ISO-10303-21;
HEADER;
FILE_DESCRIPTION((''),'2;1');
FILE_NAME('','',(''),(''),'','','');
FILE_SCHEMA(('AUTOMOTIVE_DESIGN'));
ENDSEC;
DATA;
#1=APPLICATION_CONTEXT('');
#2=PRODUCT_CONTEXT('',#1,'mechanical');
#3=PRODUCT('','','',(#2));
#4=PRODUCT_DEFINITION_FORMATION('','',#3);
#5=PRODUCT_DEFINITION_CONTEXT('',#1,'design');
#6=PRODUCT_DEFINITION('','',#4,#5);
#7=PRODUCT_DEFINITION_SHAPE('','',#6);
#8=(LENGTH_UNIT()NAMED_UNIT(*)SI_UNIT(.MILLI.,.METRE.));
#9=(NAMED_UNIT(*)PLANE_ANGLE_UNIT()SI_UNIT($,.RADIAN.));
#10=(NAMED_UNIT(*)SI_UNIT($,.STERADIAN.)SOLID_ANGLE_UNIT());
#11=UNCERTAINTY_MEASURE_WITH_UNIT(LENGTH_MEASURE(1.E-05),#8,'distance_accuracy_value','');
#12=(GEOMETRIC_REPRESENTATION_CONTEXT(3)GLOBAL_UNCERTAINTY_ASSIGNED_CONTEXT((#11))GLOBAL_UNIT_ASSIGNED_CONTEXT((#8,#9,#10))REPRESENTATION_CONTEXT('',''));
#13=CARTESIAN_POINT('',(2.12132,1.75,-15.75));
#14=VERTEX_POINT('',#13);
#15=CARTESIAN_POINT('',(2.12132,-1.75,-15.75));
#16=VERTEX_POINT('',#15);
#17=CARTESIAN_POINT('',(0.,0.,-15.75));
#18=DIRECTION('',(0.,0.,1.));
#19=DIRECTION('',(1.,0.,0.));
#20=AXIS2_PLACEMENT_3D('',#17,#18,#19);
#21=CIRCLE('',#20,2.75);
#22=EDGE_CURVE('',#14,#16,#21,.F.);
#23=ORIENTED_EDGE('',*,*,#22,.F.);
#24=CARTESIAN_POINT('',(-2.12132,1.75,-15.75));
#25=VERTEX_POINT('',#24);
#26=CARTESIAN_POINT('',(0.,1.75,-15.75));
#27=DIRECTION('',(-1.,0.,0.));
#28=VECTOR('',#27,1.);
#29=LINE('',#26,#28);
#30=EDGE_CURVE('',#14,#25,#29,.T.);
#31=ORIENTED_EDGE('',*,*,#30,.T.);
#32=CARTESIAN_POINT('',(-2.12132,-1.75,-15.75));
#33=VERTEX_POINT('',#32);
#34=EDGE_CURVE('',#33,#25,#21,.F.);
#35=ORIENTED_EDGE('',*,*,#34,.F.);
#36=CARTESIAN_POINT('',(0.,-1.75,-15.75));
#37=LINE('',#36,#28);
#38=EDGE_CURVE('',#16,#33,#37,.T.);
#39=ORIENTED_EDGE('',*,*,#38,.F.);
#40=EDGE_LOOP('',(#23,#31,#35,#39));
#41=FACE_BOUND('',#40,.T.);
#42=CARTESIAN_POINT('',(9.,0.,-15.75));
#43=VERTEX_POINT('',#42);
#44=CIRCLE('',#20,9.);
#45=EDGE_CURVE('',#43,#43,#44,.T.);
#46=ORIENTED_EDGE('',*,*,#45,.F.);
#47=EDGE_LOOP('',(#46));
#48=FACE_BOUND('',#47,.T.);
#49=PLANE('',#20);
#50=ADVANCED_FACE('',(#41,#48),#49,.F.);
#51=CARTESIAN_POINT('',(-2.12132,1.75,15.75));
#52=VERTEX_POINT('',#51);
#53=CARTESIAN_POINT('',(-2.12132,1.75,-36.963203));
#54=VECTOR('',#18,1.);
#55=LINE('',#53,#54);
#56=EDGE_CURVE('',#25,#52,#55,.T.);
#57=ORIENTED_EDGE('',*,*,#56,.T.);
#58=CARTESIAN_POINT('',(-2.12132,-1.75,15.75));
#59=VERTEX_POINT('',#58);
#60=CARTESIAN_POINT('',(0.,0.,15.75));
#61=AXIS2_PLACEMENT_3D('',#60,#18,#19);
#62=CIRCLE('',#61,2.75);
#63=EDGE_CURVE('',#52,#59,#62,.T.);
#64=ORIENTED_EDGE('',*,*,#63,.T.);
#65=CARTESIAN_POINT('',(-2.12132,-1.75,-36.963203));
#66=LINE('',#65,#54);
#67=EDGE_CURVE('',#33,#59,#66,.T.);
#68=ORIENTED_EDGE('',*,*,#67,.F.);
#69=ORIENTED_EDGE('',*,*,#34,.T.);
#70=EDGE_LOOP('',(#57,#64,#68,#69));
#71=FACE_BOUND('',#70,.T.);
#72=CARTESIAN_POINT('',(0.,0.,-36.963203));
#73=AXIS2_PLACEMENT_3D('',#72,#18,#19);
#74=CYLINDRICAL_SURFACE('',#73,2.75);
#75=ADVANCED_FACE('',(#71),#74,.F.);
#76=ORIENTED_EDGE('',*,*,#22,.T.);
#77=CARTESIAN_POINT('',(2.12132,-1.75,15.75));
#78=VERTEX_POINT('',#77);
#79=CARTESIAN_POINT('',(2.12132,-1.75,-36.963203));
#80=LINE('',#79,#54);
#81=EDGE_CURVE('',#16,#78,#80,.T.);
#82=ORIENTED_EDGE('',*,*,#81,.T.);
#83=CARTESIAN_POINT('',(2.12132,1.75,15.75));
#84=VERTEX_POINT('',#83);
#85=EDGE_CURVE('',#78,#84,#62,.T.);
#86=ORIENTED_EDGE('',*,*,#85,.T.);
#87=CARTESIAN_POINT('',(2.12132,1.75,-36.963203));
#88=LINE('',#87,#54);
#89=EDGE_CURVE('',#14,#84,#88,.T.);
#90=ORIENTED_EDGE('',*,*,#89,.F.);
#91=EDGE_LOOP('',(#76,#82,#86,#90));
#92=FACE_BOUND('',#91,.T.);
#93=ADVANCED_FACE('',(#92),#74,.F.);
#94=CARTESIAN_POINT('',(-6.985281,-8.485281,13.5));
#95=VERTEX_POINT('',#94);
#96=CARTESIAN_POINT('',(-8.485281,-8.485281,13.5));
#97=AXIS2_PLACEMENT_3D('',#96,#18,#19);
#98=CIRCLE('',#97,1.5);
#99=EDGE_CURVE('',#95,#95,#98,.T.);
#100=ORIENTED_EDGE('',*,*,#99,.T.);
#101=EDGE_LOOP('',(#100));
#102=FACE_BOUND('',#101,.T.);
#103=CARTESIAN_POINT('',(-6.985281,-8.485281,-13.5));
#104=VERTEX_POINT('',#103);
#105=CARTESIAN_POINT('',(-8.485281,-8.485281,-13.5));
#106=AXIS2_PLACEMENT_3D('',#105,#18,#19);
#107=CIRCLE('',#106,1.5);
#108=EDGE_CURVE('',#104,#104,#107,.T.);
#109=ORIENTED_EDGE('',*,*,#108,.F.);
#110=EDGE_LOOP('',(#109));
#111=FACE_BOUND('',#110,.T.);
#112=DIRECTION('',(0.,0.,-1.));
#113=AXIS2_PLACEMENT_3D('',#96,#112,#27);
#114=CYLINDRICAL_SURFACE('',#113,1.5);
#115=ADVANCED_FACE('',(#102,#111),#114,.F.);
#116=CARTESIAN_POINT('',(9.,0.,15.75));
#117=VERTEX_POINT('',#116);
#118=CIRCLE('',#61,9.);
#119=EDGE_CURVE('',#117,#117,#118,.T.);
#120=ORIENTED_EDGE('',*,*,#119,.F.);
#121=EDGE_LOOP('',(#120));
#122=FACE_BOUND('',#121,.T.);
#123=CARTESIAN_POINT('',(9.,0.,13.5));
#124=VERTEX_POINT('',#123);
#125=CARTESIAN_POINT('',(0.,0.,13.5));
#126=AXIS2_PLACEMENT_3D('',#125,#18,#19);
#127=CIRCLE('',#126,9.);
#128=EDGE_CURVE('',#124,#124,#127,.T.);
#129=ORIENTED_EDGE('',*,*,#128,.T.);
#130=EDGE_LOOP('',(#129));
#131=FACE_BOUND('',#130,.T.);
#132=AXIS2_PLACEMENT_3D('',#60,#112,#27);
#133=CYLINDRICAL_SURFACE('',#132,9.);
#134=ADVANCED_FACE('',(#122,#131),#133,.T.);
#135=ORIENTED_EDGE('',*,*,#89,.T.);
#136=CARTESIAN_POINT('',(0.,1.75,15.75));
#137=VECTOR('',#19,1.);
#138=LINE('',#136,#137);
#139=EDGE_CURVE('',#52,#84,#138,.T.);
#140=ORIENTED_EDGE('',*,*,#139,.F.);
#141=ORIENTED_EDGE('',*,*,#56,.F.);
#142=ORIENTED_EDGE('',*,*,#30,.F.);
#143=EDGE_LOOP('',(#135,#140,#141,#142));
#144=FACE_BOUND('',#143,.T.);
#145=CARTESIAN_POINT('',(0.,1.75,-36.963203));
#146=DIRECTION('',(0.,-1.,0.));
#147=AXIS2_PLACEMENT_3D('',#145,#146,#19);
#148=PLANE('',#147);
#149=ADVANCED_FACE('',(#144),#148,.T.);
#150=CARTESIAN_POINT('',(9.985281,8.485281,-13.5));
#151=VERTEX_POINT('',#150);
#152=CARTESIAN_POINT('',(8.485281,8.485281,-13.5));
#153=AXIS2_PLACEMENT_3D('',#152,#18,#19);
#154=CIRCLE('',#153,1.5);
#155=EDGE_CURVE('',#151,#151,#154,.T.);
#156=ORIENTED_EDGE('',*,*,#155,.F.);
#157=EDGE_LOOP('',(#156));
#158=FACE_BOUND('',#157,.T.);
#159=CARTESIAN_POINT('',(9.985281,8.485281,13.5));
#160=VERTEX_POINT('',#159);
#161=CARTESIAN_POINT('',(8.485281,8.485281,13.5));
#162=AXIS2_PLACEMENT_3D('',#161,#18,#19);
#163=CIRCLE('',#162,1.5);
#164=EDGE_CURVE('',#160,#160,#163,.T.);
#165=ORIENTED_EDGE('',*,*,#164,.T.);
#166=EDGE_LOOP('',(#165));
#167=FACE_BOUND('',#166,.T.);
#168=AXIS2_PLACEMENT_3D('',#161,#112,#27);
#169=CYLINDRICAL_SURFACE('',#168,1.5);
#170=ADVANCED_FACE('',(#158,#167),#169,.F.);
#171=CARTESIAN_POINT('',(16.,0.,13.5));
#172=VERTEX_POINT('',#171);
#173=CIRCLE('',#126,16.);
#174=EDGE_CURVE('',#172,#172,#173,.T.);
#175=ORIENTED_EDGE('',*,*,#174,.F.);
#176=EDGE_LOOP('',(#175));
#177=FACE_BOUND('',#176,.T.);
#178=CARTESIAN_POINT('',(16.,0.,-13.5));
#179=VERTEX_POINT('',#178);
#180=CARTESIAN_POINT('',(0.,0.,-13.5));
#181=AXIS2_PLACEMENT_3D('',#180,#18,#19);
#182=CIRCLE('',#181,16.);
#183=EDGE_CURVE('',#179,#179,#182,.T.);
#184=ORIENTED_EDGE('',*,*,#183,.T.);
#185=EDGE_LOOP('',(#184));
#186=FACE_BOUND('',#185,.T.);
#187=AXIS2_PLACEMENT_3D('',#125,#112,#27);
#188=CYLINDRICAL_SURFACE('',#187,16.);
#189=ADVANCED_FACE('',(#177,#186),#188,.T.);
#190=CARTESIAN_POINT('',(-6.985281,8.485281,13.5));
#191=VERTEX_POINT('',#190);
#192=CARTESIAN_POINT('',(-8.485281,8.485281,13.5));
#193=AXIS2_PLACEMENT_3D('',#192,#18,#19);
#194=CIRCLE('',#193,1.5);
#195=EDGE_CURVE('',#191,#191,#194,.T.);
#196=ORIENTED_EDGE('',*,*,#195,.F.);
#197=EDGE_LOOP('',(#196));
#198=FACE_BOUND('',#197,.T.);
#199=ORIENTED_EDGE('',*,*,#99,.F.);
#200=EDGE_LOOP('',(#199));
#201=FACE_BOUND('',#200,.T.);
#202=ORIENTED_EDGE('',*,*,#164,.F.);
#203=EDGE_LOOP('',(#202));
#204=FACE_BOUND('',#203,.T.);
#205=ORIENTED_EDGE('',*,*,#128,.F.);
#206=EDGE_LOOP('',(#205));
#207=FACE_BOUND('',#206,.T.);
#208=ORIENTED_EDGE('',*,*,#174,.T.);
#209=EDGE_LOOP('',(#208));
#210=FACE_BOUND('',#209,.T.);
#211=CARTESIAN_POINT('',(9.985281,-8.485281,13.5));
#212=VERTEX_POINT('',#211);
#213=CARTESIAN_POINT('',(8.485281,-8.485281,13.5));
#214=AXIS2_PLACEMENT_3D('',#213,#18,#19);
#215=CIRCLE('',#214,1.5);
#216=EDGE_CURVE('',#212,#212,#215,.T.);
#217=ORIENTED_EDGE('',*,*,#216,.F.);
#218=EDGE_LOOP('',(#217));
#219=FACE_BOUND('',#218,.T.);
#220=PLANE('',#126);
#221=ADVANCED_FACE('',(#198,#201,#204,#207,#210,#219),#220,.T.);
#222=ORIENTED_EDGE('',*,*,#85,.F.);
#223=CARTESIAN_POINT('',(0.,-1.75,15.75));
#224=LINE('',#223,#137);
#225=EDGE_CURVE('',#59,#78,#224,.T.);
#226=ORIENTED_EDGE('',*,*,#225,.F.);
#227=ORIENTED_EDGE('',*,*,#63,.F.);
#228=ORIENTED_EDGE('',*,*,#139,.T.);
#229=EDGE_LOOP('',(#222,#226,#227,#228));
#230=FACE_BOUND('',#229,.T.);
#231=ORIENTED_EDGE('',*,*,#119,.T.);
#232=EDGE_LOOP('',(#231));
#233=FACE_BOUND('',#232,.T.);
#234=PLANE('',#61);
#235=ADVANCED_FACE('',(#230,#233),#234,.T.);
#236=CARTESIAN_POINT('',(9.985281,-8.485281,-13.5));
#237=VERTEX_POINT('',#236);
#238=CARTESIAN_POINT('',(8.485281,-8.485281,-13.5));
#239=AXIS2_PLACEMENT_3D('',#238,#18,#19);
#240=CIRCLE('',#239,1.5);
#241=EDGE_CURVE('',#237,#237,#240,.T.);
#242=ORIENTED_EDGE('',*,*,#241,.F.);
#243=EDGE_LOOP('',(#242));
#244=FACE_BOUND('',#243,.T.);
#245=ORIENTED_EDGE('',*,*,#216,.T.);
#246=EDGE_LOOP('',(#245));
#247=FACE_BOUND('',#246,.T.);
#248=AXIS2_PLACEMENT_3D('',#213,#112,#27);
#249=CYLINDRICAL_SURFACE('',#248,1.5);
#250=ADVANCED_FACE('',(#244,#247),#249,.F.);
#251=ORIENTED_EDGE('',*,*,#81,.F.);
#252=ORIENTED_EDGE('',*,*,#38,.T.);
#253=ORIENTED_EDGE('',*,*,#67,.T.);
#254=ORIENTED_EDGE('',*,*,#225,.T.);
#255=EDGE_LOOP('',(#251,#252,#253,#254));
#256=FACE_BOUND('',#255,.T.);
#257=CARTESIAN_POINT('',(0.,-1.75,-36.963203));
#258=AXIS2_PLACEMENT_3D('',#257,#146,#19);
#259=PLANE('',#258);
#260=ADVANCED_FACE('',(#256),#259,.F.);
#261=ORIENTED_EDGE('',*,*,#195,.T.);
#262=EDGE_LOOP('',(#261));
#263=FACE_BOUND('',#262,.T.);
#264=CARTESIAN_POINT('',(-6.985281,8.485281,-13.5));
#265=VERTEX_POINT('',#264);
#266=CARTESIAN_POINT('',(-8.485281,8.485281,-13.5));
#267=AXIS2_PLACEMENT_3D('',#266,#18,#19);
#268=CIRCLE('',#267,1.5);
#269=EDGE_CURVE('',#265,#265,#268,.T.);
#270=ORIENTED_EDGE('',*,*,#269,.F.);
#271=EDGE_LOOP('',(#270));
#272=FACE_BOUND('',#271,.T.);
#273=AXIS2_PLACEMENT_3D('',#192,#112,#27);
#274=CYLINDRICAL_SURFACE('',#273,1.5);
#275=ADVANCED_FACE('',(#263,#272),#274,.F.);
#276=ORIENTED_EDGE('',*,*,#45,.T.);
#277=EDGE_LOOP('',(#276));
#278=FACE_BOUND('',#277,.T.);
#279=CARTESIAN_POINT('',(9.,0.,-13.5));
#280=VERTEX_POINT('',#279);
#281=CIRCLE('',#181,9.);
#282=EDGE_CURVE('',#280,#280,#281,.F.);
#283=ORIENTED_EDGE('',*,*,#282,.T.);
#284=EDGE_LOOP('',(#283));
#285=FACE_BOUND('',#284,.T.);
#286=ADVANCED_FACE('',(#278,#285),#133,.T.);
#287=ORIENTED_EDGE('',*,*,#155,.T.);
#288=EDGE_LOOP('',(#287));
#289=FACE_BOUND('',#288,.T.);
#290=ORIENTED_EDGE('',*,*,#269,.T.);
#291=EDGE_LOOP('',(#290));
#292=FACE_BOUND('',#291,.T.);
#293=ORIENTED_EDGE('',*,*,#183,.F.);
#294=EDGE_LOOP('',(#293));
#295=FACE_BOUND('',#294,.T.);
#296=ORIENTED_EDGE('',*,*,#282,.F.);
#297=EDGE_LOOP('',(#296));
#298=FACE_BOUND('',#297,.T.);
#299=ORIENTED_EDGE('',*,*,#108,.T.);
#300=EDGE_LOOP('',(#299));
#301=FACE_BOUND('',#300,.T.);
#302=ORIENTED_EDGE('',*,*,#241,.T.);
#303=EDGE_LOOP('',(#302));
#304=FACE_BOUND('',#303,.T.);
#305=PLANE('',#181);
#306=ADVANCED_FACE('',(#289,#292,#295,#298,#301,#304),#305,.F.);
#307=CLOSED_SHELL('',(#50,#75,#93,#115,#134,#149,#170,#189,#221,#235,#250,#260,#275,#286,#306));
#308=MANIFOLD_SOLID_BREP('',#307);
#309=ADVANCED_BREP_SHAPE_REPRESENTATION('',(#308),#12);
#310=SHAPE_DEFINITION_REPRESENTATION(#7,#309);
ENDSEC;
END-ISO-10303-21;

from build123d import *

# Parameters (mm, degrees)
SKETCH1_R           = 16
SKETCH1_R_2         = 9
SKETCH1_R_3         = 1.5
BOSS_EXTRUDE3_DEPTH = 13.5
SKETCH1_6_R         = 9
SKETCH1_6_R_2       = 7.5
BOSS_EXTRUDE4_DEPTH = 15.75
BOSS_EXTRUDE6_START = -31.5
SKETCH2_R           = 7.5
SKETCH2_R_2         = 2.75
BOSS_EXTRUDE6_DEPTH = 31.5


with BuildPart() as part:
    # Sketch1 → Boss-Extrude3 (new, symmetric)
    with BuildSketch(Plane.XY):
        Circle(SKETCH1_R)
        Circle(SKETCH1_R_2, mode=Mode.SUBTRACT)
        with Locations((-8.485281374, -8.485281374)):
            Circle(SKETCH1_R_3, mode=Mode.SUBTRACT)
        with Locations((8.485281374, -8.485281374)):
            Circle(SKETCH1_R_3, mode=Mode.SUBTRACT)
        with Locations((8.485281374, 8.485281374)):
            Circle(SKETCH1_R_3, mode=Mode.SUBTRACT)
        with Locations((-8.485281374, 8.485281374)):
            Circle(SKETCH1_R_3, mode=Mode.SUBTRACT)
    extrude(amount=BOSS_EXTRUDE3_DEPTH, both=True)

    # Sketch1<6> → Boss-Extrude4 (add, symmetric)
    with BuildSketch(Plane.XY):
        Circle(SKETCH1_6_R)
        Circle(SKETCH1_6_R_2, mode=Mode.SUBTRACT)
    extrude(amount=BOSS_EXTRUDE4_DEPTH, both=True)

    # Sketch2 → Boss-Extrude6 (add)
    # profile 1 of 3: a face of its own
    with BuildSketch(Plane.XY.offset(15.75).offset(BOSS_EXTRUDE6_START)):
        Circle(SKETCH2_R)
        Circle(SKETCH2_R_2, mode=Mode.SUBTRACT)
    # profile 2 of 3: a face of its own
    with BuildSketch(Plane.XY.offset(15.75).offset(BOSS_EXTRUDE6_START)):
        with BuildLine():
            ThreePointArc((2.121320344, 1.75), (0, 2.75), (-2.121320344, 1.75))
            Line((-2.121320344, 1.75), (2.121320344, 1.75))
        make_face()
    # profile 3 of 3: a face of its own
    with BuildSketch(Plane.XY.offset(15.75).offset(BOSS_EXTRUDE6_START)):
        with BuildLine():
            Line((2.121320344, -1.75), (-2.121320344, -1.75))
            ThreePointArc((-2.121320344, -1.75), (0, -2.75), (2.121320344, -1.75))
        make_face()
    extrude(amount=BOSS_EXTRUDE6_DEPTH)


solid = part.part
